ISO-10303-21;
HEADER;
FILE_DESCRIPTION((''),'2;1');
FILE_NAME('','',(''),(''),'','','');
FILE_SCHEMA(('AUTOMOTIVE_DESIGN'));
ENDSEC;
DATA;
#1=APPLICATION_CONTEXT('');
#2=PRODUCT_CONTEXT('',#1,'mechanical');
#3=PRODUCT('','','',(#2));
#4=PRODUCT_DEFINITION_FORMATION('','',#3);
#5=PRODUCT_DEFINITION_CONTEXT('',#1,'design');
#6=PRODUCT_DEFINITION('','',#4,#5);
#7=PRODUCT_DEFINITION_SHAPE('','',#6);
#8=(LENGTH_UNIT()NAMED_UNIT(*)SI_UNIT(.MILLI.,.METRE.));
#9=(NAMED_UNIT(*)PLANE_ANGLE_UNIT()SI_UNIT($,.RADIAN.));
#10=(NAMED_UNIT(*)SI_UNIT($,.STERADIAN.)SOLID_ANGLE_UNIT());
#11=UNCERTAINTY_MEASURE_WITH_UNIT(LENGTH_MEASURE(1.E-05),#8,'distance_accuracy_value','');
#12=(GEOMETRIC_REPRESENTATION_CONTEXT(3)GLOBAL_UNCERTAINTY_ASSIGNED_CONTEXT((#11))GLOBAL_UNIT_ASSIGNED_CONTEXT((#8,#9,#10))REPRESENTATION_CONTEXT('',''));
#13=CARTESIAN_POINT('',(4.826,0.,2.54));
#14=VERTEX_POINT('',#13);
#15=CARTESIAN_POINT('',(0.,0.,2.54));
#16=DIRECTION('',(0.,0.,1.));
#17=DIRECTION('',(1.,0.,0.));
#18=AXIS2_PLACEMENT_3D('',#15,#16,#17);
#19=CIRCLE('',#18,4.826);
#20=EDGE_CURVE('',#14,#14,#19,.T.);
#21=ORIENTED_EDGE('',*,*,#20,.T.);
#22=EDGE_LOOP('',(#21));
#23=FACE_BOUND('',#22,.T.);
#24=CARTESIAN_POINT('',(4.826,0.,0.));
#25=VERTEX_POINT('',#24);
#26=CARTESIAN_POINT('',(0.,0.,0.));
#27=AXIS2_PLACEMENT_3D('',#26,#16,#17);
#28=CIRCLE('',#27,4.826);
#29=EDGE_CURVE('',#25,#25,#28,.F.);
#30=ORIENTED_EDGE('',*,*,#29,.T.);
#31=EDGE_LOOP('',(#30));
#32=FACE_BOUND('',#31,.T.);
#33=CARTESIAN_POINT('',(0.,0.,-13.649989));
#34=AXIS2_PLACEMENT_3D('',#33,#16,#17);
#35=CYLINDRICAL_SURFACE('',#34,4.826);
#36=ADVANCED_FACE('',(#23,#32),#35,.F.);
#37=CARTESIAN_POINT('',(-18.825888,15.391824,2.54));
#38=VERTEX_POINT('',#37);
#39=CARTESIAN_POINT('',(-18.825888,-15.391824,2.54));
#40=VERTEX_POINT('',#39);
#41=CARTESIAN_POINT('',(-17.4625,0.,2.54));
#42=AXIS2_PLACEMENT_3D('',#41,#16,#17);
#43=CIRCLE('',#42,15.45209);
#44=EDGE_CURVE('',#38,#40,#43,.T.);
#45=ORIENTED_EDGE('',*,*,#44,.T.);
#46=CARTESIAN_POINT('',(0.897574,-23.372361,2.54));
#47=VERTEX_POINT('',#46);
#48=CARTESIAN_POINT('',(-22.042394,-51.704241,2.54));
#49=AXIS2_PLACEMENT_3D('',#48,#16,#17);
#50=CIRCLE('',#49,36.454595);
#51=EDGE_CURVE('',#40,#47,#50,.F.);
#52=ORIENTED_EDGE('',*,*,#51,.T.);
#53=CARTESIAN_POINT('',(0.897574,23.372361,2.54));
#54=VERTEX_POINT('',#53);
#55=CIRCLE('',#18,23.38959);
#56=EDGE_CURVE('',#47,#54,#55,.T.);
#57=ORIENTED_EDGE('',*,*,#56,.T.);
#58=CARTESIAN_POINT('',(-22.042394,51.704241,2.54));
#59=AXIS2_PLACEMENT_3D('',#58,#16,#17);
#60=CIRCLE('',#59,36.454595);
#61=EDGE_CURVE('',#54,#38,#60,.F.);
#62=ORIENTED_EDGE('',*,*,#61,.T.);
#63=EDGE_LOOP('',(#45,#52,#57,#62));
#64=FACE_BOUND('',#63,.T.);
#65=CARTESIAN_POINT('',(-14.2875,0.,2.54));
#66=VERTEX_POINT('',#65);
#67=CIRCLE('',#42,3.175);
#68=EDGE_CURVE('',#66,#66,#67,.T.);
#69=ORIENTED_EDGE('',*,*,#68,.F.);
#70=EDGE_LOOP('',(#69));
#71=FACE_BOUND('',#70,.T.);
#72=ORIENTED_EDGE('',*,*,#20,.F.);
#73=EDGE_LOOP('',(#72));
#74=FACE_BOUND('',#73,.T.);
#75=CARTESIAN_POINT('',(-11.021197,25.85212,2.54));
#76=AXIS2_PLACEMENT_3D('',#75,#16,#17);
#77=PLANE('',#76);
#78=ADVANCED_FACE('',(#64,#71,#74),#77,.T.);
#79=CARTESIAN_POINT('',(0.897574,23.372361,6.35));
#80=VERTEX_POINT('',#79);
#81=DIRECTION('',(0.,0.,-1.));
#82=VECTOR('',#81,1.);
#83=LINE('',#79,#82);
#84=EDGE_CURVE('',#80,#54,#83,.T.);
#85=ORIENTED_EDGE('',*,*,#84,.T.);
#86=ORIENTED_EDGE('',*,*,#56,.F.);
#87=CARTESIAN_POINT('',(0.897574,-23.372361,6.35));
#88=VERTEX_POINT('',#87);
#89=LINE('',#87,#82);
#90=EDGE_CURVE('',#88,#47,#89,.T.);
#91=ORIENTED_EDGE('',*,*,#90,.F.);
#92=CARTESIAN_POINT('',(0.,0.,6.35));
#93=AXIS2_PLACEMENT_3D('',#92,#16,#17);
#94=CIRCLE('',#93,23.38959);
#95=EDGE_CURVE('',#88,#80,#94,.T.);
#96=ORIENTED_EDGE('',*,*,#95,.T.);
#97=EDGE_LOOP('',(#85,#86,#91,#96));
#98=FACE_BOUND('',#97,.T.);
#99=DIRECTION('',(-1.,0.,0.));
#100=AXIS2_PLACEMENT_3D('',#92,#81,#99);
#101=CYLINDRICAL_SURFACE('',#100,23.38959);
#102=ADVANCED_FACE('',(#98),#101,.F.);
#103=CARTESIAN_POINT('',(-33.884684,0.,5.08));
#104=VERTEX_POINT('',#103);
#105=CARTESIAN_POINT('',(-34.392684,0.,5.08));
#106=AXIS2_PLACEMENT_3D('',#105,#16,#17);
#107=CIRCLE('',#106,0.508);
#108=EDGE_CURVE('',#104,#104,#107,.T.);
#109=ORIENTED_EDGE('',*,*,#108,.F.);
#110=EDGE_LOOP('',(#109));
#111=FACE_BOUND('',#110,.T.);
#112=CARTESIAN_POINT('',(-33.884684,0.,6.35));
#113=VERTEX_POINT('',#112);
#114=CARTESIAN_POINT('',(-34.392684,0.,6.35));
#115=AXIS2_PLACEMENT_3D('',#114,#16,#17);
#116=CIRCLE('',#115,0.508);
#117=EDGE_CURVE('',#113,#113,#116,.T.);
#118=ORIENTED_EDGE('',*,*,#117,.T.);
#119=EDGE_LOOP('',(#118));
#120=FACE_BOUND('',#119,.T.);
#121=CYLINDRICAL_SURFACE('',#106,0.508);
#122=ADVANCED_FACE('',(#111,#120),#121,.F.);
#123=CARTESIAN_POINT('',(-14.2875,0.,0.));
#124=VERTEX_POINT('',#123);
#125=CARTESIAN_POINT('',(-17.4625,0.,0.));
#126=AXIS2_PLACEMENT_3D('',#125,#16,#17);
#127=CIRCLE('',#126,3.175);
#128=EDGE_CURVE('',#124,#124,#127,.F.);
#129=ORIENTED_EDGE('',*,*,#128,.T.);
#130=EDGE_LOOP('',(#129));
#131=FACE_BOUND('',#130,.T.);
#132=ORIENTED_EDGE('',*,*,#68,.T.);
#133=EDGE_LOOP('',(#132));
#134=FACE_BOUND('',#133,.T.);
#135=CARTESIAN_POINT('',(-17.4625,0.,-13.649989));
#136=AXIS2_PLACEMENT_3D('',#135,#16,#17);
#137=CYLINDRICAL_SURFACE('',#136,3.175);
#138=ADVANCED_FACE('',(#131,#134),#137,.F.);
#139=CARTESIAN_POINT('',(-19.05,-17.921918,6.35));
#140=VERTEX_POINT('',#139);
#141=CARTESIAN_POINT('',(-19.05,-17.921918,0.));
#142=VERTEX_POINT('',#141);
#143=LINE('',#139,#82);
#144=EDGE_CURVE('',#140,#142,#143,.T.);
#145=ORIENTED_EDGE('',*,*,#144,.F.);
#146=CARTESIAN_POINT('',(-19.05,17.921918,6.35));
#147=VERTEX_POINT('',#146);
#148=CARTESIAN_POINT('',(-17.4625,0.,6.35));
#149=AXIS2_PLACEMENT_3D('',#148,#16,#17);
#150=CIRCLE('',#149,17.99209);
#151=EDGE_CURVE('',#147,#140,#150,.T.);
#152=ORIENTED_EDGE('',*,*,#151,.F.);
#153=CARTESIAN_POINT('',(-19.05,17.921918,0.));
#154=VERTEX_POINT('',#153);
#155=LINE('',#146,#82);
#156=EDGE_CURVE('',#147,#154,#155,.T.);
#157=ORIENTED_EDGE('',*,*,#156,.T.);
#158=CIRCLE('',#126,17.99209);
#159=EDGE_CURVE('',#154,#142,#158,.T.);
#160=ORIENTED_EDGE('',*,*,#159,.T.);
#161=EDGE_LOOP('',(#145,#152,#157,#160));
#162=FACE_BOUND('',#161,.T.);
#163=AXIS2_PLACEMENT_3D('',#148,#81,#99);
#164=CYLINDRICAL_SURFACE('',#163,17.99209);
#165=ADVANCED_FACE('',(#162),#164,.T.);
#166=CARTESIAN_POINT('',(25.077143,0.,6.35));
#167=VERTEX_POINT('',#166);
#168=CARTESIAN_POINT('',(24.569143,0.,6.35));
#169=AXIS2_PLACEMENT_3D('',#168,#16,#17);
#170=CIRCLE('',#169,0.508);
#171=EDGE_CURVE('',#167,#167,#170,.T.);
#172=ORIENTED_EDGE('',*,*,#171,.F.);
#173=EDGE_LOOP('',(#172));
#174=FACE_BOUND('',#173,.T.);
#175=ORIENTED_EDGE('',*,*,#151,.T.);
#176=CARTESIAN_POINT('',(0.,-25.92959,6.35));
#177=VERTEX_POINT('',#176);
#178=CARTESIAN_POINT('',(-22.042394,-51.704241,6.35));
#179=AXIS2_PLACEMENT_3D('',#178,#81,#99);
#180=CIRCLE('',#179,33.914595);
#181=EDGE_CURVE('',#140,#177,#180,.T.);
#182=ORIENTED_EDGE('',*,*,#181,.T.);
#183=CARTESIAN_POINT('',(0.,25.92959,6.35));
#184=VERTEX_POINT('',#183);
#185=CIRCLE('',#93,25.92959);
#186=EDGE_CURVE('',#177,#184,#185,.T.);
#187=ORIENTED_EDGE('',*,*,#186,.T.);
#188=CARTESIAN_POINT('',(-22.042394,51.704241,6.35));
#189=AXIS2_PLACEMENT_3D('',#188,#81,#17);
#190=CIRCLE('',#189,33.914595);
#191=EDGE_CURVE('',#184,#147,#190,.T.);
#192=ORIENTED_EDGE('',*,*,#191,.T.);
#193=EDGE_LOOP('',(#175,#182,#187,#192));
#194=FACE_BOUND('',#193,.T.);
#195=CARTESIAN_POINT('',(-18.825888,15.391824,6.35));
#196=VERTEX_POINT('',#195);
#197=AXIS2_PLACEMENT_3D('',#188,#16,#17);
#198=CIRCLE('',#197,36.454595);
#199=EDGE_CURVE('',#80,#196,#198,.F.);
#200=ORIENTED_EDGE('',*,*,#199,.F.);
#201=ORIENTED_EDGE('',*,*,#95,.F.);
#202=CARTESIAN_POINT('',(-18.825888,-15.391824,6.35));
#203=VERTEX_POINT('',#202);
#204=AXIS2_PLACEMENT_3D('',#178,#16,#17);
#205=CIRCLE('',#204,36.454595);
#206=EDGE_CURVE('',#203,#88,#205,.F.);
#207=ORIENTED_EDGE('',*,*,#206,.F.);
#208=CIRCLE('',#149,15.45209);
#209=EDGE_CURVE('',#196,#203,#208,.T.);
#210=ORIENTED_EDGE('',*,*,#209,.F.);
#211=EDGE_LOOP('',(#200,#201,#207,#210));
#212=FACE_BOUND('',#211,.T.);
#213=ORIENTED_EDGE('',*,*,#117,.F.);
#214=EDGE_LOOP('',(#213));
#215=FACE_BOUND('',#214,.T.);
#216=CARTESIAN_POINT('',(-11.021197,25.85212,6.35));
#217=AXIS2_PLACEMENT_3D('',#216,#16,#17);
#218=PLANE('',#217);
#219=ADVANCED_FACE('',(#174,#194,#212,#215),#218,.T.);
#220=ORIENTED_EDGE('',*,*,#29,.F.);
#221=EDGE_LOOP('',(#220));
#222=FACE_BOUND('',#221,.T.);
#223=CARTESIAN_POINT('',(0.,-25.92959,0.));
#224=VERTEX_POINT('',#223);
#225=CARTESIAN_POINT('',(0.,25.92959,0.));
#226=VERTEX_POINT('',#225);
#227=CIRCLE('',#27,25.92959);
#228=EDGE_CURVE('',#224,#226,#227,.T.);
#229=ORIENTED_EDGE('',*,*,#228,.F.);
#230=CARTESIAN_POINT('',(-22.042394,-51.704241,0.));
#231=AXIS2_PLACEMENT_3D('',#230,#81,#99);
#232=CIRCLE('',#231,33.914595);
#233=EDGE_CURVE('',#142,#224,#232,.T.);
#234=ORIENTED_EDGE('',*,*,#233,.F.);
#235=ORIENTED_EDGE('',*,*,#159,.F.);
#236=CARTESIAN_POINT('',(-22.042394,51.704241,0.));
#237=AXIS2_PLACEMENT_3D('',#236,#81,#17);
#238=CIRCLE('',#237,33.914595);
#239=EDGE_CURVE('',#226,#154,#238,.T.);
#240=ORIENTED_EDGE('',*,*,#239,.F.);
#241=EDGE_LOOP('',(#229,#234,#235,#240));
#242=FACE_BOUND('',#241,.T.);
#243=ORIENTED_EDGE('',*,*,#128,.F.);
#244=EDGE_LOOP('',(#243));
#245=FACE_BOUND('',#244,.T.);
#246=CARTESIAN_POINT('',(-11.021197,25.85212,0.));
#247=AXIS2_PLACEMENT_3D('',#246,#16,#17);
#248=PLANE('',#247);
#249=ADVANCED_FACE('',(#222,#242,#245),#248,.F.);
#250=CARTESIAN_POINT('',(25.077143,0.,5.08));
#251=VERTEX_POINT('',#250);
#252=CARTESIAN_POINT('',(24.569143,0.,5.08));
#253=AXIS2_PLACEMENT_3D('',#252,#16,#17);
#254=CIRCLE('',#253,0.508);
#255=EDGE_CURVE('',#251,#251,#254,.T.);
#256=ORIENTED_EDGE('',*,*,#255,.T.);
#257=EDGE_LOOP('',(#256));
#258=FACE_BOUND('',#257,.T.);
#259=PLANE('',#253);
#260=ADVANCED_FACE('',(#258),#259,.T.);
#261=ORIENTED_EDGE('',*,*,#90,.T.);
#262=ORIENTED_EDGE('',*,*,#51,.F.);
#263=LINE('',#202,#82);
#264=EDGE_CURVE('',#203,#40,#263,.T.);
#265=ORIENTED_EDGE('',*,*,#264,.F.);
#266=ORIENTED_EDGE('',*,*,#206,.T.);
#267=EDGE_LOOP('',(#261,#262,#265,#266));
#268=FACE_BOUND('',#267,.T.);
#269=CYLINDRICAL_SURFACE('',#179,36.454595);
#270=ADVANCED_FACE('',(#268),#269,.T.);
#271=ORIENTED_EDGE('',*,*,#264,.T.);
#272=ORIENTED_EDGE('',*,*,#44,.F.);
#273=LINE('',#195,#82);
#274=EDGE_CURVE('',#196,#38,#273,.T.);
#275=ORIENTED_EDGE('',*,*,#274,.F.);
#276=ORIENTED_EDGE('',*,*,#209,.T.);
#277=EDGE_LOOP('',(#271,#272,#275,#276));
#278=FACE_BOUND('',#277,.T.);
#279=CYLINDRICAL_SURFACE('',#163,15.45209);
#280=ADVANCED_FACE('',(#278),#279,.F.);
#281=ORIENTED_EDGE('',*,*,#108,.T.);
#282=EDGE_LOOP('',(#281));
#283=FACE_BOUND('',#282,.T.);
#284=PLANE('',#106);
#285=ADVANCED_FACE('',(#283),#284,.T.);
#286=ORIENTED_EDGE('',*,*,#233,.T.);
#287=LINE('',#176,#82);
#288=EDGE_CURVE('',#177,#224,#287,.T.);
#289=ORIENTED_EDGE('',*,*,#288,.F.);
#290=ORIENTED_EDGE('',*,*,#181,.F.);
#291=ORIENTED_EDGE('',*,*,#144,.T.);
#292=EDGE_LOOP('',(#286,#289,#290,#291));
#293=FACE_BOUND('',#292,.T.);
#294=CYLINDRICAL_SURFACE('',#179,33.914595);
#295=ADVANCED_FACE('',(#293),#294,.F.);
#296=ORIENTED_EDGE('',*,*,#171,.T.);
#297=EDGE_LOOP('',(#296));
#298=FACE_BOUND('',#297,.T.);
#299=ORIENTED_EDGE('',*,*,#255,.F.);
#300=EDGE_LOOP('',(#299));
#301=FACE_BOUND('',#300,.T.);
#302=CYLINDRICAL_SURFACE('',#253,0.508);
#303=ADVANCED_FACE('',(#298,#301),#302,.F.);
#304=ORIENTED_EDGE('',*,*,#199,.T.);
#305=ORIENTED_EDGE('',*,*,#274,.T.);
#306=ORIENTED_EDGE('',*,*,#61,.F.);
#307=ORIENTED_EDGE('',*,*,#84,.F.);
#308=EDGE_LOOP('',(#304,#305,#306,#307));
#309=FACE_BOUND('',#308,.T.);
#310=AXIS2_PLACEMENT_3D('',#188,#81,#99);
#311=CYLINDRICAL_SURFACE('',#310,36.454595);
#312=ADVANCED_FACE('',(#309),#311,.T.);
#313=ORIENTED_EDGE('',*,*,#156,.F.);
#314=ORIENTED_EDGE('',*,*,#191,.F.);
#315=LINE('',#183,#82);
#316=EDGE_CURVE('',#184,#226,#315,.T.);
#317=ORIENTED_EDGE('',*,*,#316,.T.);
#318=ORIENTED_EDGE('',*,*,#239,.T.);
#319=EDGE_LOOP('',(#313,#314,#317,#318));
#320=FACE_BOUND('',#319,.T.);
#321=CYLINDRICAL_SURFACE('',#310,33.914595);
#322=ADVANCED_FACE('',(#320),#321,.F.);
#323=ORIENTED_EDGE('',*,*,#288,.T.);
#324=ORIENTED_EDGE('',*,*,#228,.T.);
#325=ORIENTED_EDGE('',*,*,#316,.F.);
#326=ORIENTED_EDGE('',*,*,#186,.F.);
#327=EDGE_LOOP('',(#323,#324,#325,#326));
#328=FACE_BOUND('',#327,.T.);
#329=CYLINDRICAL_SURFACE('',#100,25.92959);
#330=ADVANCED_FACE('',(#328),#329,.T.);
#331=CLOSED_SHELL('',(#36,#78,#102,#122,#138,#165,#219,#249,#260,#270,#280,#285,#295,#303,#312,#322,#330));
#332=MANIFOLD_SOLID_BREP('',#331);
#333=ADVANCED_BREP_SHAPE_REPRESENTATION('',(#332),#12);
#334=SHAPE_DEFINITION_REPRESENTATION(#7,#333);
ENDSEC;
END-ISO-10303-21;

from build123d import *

# Parameters (mm, degrees)
BOSS_EXTRUDE1_DEPTH = 6.35
SHELL1_T            = -2.54
SKETCH3_R           = 4.826
SKETCH3_R_2         = 3.175
CUT_EXTRUDE1_DEPTH  = 2.54
SKETCH2_R           = 0.508
CUT_EXTRUDE2_DEPTH  = 1.27


with BuildPart() as part:
    # Sketch1 → Boss-Extrude1 (new body)
    with BuildSketch(Plane.XY):
        with BuildLine():
            ThreePointArc((0, -25.92959), (25.92959, 0), (0, 25.92959))
            ThreePointArc((0, 25.92959), (-8.900253562, 20.439501874), (-19.05, 17.921918042))
            ThreePointArc((-19.05, 17.921918042), (-35.45459, 0), (-19.05, -17.921918042))
            ThreePointArc((-19.05, -17.921918042), (-8.900253562, -20.439501874), (0, -25.92959))
        make_face()
    extrude(amount=BOSS_EXTRUDE1_DEPTH)

    # Shell1
    shell1_openings = [part.faces().sort_by_distance(p)[0] for p in [
        (-3.11409352, 0, 6.35),
    ]]
    offset(amount=SHELL1_T, openings=shell1_openings, kind=Kind.INTERSECTION)

    # Sketch3 → Cut-Extrude1 (cut)
    with BuildSketch(Plane.XY.offset(2.54)):
        Circle(SKETCH3_R)
        with Locations((-17.4625, 0)):
            Circle(SKETCH3_R_2)
    extrude(amount=-CUT_EXTRUDE1_DEPTH, mode=Mode.SUBTRACT)

    # Sketch2 → Cut-Extrude2 (cut)
    with BuildSketch(Plane.XY.offset(6.35)):
        with Locations((-34.39268404, 0)):
            Circle(SKETCH2_R)
        with Locations((24.569143143, 0)):
            Circle(SKETCH2_R)
    extrude(amount=-CUT_EXTRUDE2_DEPTH, mode=Mode.SUBTRACT)


solid = part.part
